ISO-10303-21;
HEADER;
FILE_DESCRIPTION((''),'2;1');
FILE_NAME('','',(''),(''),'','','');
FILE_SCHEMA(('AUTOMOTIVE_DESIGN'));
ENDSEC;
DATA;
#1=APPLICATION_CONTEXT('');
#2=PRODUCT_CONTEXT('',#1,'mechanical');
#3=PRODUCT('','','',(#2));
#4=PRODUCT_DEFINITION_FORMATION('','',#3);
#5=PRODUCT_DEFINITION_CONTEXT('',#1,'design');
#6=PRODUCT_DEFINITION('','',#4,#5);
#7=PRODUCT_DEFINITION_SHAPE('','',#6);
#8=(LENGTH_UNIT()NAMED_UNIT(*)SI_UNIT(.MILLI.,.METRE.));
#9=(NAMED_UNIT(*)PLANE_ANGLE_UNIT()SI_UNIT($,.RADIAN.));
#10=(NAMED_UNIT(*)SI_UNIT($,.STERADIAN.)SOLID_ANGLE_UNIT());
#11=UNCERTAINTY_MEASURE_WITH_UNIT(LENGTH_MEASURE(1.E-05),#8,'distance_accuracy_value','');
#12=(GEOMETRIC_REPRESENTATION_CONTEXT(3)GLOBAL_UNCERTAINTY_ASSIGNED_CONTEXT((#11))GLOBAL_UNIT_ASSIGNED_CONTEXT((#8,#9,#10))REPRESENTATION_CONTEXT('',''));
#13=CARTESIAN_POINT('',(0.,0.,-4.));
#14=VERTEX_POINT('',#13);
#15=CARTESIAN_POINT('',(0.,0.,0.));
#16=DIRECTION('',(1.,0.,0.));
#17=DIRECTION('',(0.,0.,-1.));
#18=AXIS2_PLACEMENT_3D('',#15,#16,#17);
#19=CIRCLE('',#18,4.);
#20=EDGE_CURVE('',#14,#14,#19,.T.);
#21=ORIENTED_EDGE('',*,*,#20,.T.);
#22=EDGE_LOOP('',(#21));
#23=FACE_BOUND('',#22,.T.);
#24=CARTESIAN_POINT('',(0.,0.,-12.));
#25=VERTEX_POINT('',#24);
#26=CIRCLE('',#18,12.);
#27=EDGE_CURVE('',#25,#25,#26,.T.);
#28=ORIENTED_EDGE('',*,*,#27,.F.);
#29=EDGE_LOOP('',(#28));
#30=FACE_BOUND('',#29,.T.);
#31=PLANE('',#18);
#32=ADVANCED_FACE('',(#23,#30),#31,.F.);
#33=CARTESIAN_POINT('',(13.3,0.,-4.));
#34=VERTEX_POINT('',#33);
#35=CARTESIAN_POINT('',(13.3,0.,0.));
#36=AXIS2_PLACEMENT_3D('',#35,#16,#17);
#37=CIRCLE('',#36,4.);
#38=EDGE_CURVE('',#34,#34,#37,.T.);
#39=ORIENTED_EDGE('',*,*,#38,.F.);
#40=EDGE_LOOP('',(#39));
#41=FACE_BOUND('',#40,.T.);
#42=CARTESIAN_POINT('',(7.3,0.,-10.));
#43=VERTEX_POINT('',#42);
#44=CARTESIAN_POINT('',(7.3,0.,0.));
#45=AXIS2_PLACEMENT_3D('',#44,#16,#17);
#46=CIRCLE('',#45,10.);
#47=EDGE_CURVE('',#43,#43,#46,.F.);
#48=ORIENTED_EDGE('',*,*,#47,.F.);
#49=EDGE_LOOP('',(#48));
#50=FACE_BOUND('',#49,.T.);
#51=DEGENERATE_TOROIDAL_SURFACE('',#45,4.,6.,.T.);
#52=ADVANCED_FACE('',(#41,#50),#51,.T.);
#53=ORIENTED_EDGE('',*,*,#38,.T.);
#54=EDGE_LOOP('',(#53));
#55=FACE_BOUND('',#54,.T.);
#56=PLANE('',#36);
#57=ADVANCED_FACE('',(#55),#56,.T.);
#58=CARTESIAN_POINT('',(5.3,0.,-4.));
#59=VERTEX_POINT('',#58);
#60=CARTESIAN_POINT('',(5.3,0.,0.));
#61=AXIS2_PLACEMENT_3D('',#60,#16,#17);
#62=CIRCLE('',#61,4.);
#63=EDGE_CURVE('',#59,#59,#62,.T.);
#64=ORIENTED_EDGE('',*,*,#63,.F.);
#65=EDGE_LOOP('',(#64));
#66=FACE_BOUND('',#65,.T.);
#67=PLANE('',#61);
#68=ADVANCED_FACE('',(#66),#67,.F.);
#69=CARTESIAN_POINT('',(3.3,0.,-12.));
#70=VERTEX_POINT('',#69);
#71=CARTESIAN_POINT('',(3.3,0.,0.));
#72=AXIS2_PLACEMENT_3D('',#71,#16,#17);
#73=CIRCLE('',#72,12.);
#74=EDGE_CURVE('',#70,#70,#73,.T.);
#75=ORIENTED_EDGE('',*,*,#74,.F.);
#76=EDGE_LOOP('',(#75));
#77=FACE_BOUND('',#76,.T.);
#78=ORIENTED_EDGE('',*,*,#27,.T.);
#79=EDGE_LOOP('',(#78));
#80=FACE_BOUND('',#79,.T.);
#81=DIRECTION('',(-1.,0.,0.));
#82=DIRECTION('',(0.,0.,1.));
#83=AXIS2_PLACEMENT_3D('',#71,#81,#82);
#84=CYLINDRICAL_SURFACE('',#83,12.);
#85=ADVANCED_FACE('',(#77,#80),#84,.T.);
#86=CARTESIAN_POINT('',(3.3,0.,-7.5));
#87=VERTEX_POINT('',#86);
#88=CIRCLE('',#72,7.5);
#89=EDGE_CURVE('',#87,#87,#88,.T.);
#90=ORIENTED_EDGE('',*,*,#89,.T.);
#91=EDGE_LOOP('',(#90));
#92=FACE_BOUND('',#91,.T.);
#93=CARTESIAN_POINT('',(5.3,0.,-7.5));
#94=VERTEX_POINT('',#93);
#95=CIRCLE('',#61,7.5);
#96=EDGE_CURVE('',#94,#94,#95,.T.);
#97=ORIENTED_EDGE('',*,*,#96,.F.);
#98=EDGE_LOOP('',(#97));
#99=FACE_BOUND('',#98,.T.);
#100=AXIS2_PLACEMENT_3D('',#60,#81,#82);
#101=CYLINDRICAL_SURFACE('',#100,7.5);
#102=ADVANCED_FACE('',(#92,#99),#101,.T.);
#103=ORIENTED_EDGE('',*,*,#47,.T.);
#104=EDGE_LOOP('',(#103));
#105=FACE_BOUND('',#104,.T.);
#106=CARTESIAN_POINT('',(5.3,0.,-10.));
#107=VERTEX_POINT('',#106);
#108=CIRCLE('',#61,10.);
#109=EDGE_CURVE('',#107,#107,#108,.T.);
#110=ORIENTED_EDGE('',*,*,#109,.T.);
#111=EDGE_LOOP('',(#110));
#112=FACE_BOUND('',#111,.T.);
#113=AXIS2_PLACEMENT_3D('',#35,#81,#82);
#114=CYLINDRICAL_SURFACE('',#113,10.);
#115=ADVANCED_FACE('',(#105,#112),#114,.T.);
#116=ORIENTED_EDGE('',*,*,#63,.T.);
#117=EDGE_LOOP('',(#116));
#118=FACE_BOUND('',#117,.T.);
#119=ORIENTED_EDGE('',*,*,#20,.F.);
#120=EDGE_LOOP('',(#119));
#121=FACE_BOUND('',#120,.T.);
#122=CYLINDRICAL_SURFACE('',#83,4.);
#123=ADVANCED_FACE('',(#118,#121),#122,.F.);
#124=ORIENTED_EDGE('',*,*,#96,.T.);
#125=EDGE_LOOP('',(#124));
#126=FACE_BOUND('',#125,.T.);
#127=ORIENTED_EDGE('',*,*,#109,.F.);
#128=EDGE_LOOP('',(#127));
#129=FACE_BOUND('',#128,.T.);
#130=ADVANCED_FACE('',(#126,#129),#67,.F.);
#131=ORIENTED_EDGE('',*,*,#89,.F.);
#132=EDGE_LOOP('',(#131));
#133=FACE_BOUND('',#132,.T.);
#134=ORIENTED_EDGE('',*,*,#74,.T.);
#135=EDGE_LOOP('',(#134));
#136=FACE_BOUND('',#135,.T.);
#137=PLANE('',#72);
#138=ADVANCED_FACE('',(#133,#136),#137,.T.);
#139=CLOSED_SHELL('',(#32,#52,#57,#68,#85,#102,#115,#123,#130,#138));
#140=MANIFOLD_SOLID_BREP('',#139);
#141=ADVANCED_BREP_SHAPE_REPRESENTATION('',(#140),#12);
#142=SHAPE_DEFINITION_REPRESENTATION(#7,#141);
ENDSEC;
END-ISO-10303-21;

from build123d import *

# Parameters (mm, degrees)
SKETCH_2_R      = 12
SKETCH_2_R_2    = 4
EXTRUDE_1_DEPTH = 3.3
SKETCH_3_R      = 7.5
SKETCH_3_R_2    = 4
EXTRUDE_2_DEPTH = 2
SKETCH_4_R      = 10
EXTRUDE_3_DEPTH = 8
FILLET_1_R      = 6


with BuildPart() as part:
    # Эскиз2 → Бобышка-Вытянуть1 (new body)
    with BuildSketch(Plane(origin=(0, 0, 0), x_dir=(0, 0, -1), z_dir=(1, 0, 0))):
        Circle(SKETCH_2_R)
        Circle(SKETCH_2_R_2, mode=Mode.SUBTRACT)
    extrude(amount=EXTRUDE_1_DEPTH)

    # Эскиз3 → Бобышка-Вытянуть2 (add)
    with BuildSketch(Plane(origin=(3.3, 0, 0), x_dir=(0, 0, -1), z_dir=(1, 0, 0))):
        Circle(SKETCH_3_R)
        Circle(SKETCH_3_R_2, mode=Mode.SUBTRACT)
    extrude(amount=EXTRUDE_2_DEPTH)

    # Эскиз4 → Бобышка-Вытянуть3 (add)
    with BuildSketch(Plane(origin=(5.3, 0, 0), x_dir=(0, 0, -1), z_dir=(1, 0, 0))):
        Circle(SKETCH_4_R)
    extrude(amount=EXTRUDE_3_DEPTH)

    # Скругление1
    fillet_1_edges = [part.edges().sort_by_distance(p)[0] for p in [
        (13.3, 0, 10),
    ]]
    fillet(fillet_1_edges, radius=FILLET_1_R)


solid = part.part
